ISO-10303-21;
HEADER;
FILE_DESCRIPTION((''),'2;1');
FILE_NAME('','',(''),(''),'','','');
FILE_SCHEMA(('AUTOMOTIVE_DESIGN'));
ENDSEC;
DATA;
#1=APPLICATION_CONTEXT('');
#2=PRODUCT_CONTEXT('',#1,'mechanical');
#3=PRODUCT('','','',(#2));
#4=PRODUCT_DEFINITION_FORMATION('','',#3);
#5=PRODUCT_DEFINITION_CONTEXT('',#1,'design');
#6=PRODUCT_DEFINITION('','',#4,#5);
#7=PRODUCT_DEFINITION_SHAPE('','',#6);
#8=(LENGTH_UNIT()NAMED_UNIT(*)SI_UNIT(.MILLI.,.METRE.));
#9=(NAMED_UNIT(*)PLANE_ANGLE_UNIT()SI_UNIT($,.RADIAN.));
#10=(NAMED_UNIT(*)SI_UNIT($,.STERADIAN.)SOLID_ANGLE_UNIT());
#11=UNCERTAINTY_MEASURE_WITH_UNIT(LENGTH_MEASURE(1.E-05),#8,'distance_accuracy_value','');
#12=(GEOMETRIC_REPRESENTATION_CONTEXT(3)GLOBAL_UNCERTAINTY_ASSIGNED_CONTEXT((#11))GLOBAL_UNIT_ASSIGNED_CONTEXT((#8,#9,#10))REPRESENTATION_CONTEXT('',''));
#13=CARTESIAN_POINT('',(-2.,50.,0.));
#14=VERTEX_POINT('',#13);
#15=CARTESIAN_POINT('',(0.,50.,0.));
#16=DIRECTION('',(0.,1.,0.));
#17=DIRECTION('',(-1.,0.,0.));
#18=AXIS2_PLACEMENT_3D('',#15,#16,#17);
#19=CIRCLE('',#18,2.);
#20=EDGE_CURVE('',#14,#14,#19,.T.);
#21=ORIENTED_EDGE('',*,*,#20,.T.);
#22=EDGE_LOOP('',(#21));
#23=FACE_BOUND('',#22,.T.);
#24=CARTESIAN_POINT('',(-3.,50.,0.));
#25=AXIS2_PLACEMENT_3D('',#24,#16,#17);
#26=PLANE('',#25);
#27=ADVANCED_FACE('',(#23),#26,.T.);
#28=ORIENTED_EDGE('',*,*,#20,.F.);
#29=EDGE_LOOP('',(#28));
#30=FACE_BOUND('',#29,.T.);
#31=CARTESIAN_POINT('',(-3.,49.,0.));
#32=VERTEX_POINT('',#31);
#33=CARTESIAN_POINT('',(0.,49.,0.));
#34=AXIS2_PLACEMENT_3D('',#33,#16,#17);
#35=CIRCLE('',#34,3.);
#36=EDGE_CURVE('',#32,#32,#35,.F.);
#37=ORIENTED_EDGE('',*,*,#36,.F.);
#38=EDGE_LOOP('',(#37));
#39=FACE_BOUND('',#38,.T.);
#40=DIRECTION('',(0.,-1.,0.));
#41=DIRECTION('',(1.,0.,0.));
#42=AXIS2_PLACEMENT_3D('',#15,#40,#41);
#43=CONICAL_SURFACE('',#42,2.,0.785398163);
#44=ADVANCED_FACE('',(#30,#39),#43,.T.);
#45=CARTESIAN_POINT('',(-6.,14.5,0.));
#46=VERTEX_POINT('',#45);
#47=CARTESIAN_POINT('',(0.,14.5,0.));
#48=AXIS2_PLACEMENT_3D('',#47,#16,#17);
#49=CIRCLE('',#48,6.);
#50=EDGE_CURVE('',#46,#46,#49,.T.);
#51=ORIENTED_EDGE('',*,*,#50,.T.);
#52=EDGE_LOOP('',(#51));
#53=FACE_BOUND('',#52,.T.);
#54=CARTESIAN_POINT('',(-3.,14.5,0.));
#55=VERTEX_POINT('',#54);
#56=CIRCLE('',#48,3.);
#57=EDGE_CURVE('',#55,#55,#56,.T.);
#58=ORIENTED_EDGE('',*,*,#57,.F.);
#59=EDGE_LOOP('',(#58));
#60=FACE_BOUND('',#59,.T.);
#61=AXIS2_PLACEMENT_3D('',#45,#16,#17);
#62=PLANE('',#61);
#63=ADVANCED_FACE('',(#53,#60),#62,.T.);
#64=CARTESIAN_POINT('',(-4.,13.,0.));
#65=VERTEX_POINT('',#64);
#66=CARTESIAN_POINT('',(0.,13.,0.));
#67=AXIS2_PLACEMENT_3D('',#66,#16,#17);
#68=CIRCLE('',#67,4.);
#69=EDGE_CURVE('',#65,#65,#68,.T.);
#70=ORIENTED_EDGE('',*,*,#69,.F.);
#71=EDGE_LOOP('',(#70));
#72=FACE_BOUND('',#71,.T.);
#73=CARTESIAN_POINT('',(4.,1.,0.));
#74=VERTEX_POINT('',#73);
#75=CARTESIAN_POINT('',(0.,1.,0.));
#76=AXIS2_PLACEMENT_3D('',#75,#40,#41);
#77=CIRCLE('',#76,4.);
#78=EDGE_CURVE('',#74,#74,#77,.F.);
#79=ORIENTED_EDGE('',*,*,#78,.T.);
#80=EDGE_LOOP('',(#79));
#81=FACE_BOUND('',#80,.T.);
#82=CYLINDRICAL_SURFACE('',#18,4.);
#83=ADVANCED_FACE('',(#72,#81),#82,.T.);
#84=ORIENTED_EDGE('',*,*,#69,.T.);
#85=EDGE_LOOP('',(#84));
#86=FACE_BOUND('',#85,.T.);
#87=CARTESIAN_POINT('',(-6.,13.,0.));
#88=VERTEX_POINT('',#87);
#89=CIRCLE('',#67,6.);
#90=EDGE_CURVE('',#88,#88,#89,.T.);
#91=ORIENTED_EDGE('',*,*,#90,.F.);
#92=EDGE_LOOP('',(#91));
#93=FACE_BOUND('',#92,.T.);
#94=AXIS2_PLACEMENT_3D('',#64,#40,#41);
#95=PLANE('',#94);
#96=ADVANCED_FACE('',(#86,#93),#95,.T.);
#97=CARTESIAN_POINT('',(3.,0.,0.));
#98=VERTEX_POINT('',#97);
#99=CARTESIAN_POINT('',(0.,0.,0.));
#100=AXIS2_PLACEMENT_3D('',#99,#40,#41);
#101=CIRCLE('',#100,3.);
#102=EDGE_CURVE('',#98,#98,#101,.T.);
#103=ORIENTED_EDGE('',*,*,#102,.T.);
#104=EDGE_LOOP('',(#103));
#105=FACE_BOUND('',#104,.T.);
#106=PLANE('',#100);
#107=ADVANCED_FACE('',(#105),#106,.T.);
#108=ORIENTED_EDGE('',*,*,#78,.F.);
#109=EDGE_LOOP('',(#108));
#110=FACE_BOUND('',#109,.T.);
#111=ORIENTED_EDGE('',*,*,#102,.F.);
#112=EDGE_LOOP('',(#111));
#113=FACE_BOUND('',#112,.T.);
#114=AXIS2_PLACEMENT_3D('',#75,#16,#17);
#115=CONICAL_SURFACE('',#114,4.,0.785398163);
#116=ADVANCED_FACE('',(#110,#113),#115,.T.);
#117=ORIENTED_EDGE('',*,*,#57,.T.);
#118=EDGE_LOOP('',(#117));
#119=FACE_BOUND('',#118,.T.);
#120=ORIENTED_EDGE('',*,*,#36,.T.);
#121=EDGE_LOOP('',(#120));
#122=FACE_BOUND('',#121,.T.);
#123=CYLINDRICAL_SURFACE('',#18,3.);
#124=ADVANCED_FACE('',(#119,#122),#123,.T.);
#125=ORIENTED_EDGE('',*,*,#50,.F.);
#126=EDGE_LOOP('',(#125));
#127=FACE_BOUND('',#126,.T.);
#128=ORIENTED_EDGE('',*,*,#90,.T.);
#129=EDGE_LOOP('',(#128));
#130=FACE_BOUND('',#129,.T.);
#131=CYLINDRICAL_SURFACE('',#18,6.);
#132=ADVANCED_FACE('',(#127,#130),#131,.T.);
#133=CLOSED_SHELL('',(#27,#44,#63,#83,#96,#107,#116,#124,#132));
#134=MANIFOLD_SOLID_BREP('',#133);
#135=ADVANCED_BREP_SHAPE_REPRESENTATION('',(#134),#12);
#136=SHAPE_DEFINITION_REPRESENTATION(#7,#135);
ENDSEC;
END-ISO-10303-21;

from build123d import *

# Parameters (mm, degrees)
CHAMFER_1_SIZE = 1
CHAMFER_2_SIZE = 1


with BuildPart() as part:
    # 草图1 → 旋转1 (revolve)
    with BuildSketch(Plane.XY):
        Polygon((0, 0), (-4, 0), (-4, 13), (-6, 13), (-6, 14.5), (-3, 14.5), (-3, 50), (0, 50), align=None)
    revolve(axis=Axis((0, 50, 0), (0, -1, 0)))

    # 倒角1
    chamfer_1_edges = [part.edges().sort_by_distance(p)[0] for p in [
        (4, 0, 0),
    ]]
    chamfer(chamfer_1_edges, length=CHAMFER_1_SIZE)

    # 倒角2
    chamfer_2_edges = [part.edges().sort_by_distance(p)[0] for p in [
        (3, 50, 0),
    ]]
    chamfer(chamfer_2_edges, length=CHAMFER_2_SIZE)


solid = part.part
